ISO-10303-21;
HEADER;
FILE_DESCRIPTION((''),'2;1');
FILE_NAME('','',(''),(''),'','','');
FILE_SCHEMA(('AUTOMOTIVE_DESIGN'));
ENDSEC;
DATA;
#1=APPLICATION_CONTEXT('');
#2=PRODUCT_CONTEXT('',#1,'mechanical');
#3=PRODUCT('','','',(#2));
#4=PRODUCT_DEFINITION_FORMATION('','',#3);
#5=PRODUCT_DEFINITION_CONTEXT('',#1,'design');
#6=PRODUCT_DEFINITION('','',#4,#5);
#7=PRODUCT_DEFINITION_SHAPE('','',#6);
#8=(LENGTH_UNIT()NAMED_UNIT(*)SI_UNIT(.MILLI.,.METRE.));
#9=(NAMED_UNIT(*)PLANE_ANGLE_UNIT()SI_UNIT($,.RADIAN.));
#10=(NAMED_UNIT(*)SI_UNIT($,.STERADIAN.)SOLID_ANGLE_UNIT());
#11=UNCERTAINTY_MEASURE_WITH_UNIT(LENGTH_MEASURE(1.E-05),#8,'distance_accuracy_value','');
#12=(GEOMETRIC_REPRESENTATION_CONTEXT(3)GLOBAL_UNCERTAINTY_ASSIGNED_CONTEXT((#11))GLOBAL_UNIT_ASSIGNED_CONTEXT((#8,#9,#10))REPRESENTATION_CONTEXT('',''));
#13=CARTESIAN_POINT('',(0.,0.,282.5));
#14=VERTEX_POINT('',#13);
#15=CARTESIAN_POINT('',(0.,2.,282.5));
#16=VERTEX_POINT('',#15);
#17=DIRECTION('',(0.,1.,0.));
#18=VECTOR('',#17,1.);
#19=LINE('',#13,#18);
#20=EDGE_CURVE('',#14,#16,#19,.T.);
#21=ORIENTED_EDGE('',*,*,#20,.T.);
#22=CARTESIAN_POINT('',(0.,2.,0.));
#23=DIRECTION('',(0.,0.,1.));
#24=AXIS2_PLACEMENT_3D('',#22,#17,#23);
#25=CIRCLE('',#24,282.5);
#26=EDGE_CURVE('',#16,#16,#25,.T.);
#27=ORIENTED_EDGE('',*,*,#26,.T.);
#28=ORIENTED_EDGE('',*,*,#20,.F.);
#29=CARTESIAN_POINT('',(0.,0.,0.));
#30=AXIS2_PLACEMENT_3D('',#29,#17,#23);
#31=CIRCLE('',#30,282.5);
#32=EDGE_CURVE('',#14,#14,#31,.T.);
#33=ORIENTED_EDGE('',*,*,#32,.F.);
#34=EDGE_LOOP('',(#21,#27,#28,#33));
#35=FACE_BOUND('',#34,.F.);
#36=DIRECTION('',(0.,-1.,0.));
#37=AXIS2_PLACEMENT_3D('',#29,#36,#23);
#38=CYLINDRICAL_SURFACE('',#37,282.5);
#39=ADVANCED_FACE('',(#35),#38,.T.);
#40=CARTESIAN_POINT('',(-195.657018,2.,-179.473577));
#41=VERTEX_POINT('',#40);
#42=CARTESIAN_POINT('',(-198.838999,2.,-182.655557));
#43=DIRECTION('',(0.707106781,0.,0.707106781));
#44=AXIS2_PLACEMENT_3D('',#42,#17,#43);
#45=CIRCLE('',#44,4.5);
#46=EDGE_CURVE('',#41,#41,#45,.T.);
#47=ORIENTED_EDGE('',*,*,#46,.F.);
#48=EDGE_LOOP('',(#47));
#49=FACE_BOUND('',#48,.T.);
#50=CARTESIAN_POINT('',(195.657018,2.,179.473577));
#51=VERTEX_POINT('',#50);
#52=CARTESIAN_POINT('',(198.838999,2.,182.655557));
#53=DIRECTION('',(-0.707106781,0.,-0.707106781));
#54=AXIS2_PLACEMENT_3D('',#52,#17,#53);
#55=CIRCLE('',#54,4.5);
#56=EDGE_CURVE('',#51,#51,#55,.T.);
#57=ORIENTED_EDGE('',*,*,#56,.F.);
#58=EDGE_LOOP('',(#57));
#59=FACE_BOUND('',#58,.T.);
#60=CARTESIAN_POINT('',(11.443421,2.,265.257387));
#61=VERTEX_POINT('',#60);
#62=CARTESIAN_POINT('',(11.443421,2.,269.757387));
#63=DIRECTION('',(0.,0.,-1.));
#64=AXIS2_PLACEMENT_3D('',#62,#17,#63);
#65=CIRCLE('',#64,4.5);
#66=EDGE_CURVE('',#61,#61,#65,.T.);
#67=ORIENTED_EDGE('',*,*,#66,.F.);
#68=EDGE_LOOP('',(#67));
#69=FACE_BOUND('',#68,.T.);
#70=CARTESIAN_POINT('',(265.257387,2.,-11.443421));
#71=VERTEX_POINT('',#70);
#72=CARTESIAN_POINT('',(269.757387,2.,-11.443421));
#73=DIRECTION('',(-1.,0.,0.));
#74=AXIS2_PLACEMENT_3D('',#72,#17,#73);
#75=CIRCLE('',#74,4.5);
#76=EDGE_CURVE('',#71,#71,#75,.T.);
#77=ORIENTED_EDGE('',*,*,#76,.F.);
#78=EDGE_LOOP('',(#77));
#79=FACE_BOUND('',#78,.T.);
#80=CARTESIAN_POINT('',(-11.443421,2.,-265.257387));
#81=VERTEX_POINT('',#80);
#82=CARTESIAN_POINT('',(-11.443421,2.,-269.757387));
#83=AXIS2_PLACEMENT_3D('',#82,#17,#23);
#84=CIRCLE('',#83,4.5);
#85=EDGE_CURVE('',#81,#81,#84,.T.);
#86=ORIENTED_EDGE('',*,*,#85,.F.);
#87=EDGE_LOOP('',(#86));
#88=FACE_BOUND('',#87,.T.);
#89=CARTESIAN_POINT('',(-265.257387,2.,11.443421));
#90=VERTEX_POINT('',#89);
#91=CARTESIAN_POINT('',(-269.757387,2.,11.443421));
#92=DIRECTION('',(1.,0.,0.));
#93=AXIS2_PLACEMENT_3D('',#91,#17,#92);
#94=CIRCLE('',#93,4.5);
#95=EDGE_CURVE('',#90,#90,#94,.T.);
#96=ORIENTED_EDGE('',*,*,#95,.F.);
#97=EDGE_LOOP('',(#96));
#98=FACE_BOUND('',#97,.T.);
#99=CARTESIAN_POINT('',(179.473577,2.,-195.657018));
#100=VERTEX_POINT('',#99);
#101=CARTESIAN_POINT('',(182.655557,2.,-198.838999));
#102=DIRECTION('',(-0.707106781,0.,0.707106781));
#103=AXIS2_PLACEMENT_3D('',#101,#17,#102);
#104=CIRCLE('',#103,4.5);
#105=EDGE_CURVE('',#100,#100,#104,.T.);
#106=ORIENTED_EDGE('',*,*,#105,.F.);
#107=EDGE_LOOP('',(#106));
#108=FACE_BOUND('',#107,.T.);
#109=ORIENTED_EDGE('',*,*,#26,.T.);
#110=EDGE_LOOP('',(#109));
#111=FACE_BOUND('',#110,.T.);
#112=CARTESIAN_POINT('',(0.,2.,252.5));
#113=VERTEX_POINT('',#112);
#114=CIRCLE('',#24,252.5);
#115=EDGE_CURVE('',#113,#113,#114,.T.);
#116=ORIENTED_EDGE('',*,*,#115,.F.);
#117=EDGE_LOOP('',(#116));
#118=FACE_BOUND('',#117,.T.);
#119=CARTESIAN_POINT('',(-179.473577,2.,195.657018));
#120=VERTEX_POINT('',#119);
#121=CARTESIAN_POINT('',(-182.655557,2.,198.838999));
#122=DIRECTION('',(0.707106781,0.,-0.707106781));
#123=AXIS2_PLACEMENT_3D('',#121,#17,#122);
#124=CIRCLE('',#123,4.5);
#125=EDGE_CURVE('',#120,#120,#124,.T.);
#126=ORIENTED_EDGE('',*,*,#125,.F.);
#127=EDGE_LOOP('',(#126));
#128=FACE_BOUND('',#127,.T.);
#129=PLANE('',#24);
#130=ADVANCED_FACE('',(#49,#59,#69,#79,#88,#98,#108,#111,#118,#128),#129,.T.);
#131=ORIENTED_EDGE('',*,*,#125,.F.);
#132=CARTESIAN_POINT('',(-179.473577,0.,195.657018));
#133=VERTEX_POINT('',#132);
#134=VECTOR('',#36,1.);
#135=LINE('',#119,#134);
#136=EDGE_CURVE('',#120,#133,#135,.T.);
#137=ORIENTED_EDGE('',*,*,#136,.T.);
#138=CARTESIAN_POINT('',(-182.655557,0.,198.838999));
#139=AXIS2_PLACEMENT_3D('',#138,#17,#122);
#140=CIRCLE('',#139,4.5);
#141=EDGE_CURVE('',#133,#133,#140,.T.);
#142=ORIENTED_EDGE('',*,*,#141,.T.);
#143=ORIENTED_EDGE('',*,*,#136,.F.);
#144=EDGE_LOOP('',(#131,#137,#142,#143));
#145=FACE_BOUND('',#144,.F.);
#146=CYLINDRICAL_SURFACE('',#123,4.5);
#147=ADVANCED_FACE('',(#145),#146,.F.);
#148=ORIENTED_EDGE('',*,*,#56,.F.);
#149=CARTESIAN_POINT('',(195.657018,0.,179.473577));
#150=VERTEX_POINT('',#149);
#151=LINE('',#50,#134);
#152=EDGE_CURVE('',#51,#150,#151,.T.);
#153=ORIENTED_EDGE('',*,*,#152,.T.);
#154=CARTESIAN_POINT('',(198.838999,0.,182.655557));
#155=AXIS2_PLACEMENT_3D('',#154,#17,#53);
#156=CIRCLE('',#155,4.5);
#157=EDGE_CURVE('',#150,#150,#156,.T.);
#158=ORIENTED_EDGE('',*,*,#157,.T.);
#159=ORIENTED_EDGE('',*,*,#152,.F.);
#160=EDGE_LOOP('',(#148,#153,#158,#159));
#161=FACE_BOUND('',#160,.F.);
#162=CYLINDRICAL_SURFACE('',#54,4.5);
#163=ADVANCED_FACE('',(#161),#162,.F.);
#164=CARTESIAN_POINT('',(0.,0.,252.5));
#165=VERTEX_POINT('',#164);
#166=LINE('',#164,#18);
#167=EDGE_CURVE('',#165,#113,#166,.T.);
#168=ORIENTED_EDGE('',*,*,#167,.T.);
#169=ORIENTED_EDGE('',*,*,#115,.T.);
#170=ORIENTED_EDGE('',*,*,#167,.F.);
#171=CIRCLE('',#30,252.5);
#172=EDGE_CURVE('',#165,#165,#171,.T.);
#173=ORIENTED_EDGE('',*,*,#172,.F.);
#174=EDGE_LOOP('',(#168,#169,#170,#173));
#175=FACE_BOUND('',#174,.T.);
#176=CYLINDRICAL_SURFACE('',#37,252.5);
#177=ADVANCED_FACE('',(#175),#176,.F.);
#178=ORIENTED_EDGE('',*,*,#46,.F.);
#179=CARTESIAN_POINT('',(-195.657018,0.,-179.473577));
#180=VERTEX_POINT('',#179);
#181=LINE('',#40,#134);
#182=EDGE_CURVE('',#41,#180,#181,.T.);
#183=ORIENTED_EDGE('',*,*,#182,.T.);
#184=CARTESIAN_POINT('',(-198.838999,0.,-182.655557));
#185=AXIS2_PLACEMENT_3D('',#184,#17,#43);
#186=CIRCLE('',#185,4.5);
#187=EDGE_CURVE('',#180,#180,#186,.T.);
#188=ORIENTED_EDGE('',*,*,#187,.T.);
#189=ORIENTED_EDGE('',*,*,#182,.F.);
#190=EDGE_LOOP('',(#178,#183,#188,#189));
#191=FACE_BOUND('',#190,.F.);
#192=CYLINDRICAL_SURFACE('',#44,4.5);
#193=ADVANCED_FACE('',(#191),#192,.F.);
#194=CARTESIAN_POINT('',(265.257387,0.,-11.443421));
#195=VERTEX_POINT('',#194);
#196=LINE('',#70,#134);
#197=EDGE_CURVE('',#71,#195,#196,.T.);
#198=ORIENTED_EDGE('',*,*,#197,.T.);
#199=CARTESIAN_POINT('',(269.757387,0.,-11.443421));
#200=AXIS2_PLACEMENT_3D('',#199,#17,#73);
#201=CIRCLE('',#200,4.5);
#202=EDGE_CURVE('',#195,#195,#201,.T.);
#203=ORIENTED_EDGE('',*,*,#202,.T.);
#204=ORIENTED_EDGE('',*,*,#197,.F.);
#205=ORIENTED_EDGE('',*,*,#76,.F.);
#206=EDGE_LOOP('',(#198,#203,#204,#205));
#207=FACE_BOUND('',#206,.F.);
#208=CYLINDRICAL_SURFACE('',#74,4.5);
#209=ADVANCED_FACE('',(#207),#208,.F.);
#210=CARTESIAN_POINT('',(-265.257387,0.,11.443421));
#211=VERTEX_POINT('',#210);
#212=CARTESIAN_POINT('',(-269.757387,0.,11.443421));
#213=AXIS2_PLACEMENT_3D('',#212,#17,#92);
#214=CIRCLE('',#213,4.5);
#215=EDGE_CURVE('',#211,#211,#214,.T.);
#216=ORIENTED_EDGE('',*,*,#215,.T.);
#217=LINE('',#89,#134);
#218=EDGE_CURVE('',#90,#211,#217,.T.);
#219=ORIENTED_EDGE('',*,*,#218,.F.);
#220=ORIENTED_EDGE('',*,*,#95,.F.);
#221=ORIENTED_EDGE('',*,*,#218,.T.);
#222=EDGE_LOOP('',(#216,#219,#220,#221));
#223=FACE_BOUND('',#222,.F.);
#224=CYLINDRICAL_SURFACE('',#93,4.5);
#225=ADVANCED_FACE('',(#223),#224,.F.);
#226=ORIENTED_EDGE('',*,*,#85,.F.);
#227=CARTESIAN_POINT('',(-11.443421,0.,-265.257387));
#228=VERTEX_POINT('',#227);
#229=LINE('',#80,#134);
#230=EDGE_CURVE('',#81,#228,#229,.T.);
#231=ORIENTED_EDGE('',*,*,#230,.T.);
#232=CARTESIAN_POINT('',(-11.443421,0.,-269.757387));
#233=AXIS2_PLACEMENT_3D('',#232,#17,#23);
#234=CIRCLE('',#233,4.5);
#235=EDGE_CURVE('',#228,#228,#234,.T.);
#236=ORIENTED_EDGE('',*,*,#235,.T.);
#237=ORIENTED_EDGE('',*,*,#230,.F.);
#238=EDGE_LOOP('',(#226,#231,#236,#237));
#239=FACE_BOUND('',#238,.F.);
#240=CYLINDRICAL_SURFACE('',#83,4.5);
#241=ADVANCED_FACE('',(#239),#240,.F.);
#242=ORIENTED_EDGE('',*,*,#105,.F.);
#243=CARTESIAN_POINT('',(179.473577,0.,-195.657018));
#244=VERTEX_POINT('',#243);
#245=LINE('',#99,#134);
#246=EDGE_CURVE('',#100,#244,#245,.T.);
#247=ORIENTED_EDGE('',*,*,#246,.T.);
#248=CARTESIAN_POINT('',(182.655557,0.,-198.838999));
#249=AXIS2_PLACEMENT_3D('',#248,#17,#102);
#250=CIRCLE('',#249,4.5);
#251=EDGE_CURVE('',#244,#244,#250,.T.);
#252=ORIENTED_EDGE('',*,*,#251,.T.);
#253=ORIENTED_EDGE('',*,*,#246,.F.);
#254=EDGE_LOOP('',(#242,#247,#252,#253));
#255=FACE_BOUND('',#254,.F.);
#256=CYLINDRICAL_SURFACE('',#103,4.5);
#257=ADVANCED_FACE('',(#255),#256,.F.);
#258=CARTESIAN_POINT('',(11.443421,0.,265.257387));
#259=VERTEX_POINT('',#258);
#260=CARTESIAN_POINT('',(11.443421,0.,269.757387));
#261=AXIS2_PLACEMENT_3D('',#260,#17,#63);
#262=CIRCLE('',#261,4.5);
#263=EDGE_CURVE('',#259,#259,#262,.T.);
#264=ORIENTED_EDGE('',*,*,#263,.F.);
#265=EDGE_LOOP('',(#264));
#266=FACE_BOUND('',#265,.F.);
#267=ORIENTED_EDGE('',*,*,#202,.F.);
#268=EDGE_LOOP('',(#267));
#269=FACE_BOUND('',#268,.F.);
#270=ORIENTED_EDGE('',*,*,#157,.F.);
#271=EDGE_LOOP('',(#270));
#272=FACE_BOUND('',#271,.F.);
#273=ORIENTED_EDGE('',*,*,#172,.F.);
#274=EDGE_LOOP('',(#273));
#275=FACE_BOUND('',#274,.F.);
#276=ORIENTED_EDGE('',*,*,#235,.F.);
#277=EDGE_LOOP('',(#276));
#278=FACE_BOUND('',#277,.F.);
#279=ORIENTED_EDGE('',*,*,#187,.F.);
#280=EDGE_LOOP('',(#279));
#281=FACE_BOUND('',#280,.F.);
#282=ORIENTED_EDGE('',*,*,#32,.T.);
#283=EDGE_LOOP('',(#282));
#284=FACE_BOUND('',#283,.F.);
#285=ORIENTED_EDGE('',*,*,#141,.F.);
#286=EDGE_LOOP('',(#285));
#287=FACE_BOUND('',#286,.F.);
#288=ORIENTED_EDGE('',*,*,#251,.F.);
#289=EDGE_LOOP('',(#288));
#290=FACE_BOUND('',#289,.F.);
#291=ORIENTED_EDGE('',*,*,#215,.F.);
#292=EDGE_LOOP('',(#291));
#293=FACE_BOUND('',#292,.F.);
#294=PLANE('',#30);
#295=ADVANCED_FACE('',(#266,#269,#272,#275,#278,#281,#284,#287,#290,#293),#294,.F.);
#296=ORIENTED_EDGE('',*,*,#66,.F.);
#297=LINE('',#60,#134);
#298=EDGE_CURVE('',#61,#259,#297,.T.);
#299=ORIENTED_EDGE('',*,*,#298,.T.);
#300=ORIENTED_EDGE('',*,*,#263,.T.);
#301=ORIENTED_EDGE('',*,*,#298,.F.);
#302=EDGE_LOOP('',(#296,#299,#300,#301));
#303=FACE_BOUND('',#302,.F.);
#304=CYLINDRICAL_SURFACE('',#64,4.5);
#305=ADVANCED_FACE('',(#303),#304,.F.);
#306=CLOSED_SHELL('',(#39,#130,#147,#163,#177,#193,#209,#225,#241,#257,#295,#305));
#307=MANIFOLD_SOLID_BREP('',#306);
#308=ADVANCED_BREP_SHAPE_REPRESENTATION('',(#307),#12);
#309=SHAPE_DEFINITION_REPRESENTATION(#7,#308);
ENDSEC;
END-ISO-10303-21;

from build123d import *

# Parameters (mm, degrees)
SKETCH1_R           = 282.5
SKETCH1_R_2         = 252.5
BOSS_EXTRUDE1_DEPTH = 2
SKETCH2_R           = 4.5
CUT_EXTRUDE1_DEPTH  = 5
CIRPATTERN1_COUNT   = 8


with BuildPart() as part:
    # Sketch1 → Boss-Extrude1 (new body)
    with BuildSketch(Plane(origin=(0, 0, 0), x_dir=(1, 0, 0), z_dir=(0, 1, 0))):
        with Locations(Location((0, 0, 0), (0, 0, 270))):
            Circle(SKETCH1_R)
        with Locations(Location((0, 0, 0), (0, 0, 270))):
            Circle(SKETCH1_R_2, mode=Mode.SUBTRACT)
    extrude(amount=BOSS_EXTRUDE1_DEPTH)

    # Sketch2 → Cut-Extrude1 (cut)
    with BuildSketch(Plane(origin=(0, 2, 0), x_dir=(1, 0, 0), z_dir=(0, 1, 0))):
        with Locations(Location((-11.443421424, 269.757387491, 0), (0, 0, 270))):
            Circle(SKETCH2_R)
    cut_extrude1 = extrude(amount=-CUT_EXTRUDE1_DEPTH, mode=Mode.SUBTRACT)

    # CirPattern1: Cut-Extrude1 ×8 about axis
    cirpattern1_axis = Axis((0, 0, 0), (0, 1, 0))
    for i in range(1, CIRPATTERN1_COUNT):
        add(cut_extrude1.rotate(cirpattern1_axis, i * 360 / CIRPATTERN1_COUNT), mode=Mode.SUBTRACT)


solid = part.part
